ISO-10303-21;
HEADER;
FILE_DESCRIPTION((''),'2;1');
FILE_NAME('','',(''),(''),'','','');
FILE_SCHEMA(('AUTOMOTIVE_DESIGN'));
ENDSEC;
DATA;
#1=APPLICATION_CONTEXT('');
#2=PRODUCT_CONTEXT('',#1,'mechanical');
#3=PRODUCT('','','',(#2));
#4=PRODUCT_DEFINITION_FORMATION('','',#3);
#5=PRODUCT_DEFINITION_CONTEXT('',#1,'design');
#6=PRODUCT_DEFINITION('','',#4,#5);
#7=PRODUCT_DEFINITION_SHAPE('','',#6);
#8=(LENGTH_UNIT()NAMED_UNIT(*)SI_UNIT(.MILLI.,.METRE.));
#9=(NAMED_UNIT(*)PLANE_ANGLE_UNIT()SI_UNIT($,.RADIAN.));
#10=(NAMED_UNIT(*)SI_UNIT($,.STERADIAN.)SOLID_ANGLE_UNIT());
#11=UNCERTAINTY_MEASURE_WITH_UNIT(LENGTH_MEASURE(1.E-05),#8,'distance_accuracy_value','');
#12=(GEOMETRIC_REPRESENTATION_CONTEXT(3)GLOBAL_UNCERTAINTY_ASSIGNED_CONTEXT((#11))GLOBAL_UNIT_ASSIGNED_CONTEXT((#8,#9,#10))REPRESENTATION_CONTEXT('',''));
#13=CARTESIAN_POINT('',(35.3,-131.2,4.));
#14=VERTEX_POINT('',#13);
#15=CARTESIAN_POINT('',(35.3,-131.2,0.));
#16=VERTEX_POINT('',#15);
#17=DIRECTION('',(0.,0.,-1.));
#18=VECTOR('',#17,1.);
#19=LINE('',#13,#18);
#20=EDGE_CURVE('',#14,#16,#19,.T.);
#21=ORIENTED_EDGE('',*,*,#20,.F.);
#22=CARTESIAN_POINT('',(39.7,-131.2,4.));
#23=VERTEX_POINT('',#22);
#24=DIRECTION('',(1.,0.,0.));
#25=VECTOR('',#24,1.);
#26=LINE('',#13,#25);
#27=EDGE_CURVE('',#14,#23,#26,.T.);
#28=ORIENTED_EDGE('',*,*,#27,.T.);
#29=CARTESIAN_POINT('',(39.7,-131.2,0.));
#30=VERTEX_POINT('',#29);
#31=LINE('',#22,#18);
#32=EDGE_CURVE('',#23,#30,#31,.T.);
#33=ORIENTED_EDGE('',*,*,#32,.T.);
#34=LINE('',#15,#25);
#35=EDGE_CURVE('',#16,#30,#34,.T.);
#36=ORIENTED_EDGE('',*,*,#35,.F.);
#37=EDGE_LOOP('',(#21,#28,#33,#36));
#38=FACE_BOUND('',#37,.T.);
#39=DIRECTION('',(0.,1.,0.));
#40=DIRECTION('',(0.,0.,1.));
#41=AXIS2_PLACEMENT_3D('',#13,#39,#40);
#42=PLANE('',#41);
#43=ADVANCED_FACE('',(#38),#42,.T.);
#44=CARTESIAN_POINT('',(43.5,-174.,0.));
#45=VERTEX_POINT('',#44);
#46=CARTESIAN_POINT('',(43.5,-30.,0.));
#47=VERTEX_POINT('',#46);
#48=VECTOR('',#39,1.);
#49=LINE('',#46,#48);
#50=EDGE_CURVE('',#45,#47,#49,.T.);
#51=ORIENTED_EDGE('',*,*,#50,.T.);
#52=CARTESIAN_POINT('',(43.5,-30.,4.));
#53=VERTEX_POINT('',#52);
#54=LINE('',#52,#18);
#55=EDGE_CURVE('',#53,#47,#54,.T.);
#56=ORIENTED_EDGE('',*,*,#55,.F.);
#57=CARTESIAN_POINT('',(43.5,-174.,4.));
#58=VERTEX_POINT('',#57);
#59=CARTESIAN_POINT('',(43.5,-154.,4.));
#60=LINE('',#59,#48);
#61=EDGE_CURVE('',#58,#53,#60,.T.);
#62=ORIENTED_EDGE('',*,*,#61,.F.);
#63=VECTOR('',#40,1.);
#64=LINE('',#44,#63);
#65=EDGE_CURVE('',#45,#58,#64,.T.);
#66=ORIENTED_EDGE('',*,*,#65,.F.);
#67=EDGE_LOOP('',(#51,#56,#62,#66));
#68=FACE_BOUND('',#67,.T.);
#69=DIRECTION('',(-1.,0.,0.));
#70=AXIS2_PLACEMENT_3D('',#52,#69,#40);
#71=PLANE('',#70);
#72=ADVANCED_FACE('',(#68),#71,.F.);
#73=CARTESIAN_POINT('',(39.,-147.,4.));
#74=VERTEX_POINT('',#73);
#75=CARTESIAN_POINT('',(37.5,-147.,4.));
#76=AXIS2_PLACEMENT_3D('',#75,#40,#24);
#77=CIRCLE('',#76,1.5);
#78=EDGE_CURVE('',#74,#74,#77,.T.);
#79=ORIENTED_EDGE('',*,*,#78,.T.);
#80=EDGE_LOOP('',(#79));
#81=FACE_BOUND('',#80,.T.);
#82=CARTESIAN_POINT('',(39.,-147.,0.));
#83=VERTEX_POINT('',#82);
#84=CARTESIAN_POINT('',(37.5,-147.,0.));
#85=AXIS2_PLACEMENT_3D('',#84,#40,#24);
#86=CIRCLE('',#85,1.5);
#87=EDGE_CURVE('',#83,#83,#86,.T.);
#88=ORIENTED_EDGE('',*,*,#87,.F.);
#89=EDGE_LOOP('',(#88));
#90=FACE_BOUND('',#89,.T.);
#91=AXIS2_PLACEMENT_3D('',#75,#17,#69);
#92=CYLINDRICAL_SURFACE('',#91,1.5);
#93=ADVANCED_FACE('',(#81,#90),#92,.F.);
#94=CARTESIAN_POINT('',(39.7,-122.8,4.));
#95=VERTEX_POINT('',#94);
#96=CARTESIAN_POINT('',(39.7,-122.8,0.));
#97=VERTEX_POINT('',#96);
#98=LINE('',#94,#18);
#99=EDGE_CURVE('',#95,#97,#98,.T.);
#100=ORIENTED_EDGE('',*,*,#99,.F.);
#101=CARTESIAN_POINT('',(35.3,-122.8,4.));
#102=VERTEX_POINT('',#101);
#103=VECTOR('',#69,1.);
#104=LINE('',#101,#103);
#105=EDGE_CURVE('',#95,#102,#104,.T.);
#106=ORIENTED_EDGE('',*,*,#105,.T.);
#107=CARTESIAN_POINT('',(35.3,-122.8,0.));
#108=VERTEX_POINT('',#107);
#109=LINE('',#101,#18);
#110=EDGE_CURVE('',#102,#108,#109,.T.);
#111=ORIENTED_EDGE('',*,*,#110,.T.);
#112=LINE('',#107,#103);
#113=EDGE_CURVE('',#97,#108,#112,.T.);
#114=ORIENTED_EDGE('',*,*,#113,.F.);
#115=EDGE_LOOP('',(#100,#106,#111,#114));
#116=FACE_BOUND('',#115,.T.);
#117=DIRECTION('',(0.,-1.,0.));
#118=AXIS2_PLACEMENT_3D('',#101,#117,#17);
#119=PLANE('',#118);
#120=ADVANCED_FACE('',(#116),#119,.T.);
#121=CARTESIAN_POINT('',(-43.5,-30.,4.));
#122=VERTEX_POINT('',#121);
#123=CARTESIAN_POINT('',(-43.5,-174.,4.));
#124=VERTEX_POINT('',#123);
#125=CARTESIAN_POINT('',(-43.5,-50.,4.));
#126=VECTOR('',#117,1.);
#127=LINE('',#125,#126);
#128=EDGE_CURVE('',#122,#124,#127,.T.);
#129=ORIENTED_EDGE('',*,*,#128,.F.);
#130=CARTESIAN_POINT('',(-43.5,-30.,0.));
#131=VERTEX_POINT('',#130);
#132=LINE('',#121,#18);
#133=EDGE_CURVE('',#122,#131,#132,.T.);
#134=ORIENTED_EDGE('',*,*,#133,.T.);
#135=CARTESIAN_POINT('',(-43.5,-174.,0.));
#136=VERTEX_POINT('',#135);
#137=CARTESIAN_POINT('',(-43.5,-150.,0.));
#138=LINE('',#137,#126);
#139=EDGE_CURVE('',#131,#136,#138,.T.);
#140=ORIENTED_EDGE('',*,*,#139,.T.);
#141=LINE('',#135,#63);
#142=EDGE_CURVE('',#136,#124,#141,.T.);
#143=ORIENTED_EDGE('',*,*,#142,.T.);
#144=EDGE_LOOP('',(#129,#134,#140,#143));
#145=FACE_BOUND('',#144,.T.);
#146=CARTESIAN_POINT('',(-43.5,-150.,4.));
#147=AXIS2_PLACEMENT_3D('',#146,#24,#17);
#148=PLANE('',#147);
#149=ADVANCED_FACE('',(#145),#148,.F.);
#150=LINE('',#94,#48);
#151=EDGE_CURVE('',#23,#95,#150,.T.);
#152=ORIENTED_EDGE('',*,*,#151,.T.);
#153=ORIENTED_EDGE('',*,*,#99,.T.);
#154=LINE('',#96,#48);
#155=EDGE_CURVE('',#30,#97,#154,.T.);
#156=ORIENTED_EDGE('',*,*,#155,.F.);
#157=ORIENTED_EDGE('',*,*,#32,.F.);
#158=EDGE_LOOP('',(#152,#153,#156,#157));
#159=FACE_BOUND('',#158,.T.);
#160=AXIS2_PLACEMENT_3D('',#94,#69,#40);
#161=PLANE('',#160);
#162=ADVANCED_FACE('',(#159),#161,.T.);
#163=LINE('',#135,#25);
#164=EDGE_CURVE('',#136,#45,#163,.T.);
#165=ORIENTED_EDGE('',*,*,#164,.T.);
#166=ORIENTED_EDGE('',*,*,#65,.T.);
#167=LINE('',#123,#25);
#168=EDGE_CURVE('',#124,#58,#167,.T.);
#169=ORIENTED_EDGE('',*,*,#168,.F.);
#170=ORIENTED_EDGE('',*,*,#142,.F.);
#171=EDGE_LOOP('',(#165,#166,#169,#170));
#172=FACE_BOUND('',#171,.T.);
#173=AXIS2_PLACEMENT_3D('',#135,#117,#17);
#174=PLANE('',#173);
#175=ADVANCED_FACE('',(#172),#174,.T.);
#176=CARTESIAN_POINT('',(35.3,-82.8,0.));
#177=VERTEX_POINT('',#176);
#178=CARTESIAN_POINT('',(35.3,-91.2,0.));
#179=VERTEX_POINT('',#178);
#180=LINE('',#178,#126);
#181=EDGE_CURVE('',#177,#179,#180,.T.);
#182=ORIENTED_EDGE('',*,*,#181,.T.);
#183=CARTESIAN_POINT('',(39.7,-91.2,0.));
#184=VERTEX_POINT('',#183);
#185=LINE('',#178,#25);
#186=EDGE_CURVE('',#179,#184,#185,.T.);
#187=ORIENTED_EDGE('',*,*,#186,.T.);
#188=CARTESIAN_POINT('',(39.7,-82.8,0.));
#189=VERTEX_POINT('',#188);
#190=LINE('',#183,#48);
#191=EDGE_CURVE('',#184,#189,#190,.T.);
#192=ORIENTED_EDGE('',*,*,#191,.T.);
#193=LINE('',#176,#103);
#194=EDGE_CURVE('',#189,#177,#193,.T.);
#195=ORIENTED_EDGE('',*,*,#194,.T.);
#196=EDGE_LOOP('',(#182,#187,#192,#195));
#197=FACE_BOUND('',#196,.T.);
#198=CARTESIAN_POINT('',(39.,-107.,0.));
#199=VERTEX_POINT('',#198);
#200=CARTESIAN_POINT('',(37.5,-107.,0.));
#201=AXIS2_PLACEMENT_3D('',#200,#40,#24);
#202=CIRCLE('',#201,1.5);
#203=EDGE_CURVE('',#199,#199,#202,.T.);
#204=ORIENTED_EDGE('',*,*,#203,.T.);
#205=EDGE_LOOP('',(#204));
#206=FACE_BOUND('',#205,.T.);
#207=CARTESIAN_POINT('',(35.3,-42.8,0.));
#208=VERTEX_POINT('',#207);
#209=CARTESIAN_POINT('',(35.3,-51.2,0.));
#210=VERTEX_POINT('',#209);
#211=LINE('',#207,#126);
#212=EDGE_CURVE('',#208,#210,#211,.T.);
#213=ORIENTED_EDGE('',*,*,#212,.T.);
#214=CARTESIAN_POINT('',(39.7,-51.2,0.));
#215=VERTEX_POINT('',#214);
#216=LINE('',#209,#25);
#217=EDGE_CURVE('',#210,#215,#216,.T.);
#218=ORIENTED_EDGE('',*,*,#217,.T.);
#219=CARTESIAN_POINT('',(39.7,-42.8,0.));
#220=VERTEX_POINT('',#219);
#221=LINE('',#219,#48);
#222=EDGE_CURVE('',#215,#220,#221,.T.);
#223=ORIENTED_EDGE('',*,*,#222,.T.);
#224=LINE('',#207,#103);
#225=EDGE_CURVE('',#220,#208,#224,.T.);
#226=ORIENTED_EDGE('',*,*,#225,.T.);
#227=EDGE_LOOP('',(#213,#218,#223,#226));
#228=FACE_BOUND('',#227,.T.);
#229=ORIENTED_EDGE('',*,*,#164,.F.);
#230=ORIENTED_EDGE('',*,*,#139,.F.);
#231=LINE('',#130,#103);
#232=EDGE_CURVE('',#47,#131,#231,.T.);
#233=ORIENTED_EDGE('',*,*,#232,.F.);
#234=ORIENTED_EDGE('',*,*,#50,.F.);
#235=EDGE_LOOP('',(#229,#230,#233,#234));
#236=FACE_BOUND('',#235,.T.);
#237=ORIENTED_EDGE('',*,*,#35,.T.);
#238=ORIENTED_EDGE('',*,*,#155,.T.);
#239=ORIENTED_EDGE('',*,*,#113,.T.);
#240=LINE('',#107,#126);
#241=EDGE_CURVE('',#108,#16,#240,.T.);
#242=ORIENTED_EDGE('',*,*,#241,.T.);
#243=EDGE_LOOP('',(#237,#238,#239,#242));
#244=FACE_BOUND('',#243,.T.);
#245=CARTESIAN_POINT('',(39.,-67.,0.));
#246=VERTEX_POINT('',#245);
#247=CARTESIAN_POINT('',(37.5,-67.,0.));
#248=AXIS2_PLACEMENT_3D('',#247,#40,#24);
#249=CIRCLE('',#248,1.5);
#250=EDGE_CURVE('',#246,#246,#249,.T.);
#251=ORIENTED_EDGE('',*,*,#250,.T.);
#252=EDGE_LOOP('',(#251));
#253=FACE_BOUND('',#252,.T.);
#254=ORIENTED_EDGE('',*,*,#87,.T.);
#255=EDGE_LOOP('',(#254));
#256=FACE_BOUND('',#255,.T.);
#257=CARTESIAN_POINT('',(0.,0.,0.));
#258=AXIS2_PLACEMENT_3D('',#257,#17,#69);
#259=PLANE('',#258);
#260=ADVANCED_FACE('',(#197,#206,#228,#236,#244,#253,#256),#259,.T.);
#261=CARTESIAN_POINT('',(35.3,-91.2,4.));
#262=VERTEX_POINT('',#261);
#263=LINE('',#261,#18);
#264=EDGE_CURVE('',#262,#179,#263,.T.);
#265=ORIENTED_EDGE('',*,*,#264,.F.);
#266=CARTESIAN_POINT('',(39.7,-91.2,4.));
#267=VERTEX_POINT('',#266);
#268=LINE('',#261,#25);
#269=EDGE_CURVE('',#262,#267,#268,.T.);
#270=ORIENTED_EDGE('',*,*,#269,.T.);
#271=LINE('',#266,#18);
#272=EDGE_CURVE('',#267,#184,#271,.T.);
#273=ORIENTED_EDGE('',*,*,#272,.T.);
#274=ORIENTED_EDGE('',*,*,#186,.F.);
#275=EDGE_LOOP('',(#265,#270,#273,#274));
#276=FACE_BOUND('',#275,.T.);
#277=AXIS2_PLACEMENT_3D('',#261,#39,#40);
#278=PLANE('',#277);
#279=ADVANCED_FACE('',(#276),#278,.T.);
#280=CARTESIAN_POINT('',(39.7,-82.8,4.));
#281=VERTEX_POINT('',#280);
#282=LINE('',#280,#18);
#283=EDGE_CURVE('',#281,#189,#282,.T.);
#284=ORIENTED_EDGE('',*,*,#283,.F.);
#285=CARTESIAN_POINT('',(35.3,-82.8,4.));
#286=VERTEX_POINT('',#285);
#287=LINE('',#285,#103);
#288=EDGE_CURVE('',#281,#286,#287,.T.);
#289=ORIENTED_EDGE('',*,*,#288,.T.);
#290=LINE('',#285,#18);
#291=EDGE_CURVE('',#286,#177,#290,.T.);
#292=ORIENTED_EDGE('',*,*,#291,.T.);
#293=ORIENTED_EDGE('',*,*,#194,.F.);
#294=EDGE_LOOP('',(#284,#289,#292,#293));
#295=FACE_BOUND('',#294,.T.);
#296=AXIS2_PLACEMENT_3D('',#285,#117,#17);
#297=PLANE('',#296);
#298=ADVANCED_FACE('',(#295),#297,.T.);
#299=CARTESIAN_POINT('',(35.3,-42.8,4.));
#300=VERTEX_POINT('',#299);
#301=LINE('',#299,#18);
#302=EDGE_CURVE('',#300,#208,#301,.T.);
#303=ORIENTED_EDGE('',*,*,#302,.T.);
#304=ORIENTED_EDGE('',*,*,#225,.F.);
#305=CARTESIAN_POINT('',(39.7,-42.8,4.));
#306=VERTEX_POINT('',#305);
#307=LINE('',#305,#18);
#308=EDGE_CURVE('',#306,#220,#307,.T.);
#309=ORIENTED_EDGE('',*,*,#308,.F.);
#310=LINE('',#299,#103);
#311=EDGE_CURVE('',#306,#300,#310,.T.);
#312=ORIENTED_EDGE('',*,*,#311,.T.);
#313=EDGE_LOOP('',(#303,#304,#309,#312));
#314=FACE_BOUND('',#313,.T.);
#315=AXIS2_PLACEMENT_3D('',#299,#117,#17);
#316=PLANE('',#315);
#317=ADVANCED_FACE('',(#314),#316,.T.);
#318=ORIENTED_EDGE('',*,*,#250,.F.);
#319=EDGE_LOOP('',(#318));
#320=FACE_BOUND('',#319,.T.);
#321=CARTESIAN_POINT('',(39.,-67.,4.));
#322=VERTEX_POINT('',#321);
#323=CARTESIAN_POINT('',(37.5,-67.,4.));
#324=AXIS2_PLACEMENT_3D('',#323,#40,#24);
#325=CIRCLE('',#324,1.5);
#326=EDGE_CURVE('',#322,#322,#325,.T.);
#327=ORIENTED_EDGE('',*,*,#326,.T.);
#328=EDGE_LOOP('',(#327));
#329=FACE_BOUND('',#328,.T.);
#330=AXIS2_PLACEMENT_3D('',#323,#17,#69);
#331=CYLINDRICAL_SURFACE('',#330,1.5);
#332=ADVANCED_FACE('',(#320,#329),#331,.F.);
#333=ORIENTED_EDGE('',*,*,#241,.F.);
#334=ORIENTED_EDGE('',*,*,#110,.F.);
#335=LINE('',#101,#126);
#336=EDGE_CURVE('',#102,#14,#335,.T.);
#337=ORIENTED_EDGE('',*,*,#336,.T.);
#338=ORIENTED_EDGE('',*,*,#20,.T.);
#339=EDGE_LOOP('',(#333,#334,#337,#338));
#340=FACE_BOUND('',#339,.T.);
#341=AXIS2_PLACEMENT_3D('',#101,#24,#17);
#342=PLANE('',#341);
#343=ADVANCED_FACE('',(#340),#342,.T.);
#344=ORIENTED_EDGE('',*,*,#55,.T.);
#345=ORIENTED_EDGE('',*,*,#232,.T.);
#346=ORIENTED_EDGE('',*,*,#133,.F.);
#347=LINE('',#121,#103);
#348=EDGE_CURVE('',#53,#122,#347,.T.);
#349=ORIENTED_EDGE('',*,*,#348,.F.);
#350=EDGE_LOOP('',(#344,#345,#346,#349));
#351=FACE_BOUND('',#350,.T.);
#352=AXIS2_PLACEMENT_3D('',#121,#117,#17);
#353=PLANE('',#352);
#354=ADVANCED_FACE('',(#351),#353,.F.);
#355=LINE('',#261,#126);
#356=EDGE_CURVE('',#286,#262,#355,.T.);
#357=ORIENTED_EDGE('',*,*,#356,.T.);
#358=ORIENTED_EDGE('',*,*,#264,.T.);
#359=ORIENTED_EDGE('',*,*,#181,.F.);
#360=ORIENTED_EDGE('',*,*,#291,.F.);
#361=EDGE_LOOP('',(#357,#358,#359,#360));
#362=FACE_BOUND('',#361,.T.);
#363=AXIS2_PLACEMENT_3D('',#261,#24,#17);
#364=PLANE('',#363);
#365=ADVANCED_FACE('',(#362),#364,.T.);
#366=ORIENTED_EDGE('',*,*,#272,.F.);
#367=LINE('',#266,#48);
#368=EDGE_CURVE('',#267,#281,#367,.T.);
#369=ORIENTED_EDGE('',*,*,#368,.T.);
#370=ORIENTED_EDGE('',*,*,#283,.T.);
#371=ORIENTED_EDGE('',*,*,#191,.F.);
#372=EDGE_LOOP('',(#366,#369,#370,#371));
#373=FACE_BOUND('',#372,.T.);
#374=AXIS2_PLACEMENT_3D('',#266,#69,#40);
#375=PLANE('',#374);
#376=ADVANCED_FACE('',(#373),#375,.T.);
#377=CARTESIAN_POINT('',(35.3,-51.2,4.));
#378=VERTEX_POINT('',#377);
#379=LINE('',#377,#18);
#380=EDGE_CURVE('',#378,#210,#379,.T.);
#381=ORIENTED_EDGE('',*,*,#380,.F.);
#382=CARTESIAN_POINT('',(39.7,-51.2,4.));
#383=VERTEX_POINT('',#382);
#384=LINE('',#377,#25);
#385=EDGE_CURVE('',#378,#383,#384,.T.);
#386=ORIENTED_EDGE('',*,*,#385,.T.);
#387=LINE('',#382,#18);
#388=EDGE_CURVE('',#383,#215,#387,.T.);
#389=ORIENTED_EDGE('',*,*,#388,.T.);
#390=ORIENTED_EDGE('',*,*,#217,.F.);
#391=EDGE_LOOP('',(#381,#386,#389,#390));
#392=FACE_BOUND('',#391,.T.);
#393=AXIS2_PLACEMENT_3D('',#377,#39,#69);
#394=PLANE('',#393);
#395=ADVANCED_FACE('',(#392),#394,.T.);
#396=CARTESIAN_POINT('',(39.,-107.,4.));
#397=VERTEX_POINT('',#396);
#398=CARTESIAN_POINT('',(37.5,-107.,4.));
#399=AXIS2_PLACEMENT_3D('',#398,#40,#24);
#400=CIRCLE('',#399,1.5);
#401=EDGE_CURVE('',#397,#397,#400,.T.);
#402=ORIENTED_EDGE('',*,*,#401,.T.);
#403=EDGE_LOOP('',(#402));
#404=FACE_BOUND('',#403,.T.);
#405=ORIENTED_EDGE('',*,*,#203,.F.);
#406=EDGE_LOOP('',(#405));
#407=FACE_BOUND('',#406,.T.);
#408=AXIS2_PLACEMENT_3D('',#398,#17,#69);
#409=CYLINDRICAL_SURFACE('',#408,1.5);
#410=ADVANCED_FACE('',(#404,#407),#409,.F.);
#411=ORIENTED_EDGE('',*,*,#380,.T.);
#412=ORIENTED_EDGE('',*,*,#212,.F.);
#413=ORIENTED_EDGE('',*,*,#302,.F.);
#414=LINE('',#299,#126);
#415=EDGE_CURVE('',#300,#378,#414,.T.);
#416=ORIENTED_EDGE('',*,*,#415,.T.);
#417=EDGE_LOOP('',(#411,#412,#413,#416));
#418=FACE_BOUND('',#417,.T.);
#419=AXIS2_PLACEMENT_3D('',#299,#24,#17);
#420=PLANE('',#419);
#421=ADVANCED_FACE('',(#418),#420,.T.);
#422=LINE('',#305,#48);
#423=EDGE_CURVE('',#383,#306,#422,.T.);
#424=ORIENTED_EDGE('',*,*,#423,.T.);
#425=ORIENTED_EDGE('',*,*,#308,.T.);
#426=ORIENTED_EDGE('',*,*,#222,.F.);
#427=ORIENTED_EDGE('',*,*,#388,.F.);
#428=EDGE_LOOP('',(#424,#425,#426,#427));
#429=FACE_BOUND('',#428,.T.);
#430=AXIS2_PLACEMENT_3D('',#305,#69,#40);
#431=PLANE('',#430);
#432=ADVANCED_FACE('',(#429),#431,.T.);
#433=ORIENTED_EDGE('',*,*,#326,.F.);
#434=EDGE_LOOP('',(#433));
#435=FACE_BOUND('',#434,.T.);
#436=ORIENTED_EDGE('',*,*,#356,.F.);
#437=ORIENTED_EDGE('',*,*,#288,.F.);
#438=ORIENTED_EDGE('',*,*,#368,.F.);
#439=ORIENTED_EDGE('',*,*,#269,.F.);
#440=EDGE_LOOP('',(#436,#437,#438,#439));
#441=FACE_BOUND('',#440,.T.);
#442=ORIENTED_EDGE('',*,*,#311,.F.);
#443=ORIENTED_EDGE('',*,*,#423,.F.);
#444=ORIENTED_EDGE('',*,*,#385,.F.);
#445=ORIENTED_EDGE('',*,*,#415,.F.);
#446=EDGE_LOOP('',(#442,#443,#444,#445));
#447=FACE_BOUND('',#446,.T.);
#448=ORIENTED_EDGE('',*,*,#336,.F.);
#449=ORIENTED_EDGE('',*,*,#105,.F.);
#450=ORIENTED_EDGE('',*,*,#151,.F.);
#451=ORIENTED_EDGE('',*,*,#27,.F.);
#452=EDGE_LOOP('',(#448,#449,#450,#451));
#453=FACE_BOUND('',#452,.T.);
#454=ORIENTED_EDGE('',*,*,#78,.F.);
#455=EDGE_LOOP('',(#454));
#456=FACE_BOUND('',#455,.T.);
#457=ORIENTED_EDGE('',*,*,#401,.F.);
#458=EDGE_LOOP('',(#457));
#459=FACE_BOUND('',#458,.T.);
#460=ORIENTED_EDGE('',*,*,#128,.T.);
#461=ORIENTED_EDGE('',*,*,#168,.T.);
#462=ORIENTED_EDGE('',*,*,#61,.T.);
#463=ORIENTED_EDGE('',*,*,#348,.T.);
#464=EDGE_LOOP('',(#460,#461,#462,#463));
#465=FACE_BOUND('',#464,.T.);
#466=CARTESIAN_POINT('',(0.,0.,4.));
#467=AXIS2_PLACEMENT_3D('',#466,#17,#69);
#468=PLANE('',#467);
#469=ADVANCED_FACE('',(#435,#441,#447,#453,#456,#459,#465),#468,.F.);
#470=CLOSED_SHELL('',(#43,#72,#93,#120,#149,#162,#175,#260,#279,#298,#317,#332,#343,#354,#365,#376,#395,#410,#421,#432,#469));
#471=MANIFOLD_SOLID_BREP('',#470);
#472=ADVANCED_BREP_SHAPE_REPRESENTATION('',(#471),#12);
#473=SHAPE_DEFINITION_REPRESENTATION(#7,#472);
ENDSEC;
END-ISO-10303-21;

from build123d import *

# Parameters (mm, degrees)
SKETCH_1_R      = 1.5
SKETCH_1_W      = 4.4
SKETCH_1_H      = 8.4
EXTRUDE_1_DEPTH = 4
SKETCH_2_W      = 87
SKETCH_2_H      = 20
EXTRUDE_2_DEPTH = 4


with BuildPart() as part:
    # 草图1 → 凸台-拉伸1 (new body)
    with BuildSketch(Plane.XY):
        Polygon((43.5, -50), (43.5, -150), (43.5, -154), (-43.5, -154), (-43.5, -150), (-43.5, -50), (-43.5, -30), (43.5, -30), align=None)
        with Locations((37.5, -147)):
            Circle(SKETCH_1_R, mode=Mode.SUBTRACT)
        with Locations((37.5, -67)):
            Circle(SKETCH_1_R, mode=Mode.SUBTRACT)
        with Locations((37.5, -107)):
            Circle(SKETCH_1_R, mode=Mode.SUBTRACT)
        with Locations((37.5, -127)):
            Rectangle(SKETCH_1_W, SKETCH_1_H, mode=Mode.SUBTRACT)
        with Locations((37.5, -87)):
            Rectangle(SKETCH_1_W, SKETCH_1_H, mode=Mode.SUBTRACT)
        with Locations((37.5, -47)):
            Rectangle(SKETCH_1_W, SKETCH_1_H, mode=Mode.SUBTRACT)
    extrude(amount=EXTRUDE_1_DEPTH)

    # 草图2 → 凸台-拉伸2 (add)
    with BuildSketch(Plane.XY.offset(4)):
        with Locations((0, -164)):
            Rectangle(SKETCH_2_W, SKETCH_2_H)
    extrude(amount=-EXTRUDE_2_DEPTH)


solid = part.part
